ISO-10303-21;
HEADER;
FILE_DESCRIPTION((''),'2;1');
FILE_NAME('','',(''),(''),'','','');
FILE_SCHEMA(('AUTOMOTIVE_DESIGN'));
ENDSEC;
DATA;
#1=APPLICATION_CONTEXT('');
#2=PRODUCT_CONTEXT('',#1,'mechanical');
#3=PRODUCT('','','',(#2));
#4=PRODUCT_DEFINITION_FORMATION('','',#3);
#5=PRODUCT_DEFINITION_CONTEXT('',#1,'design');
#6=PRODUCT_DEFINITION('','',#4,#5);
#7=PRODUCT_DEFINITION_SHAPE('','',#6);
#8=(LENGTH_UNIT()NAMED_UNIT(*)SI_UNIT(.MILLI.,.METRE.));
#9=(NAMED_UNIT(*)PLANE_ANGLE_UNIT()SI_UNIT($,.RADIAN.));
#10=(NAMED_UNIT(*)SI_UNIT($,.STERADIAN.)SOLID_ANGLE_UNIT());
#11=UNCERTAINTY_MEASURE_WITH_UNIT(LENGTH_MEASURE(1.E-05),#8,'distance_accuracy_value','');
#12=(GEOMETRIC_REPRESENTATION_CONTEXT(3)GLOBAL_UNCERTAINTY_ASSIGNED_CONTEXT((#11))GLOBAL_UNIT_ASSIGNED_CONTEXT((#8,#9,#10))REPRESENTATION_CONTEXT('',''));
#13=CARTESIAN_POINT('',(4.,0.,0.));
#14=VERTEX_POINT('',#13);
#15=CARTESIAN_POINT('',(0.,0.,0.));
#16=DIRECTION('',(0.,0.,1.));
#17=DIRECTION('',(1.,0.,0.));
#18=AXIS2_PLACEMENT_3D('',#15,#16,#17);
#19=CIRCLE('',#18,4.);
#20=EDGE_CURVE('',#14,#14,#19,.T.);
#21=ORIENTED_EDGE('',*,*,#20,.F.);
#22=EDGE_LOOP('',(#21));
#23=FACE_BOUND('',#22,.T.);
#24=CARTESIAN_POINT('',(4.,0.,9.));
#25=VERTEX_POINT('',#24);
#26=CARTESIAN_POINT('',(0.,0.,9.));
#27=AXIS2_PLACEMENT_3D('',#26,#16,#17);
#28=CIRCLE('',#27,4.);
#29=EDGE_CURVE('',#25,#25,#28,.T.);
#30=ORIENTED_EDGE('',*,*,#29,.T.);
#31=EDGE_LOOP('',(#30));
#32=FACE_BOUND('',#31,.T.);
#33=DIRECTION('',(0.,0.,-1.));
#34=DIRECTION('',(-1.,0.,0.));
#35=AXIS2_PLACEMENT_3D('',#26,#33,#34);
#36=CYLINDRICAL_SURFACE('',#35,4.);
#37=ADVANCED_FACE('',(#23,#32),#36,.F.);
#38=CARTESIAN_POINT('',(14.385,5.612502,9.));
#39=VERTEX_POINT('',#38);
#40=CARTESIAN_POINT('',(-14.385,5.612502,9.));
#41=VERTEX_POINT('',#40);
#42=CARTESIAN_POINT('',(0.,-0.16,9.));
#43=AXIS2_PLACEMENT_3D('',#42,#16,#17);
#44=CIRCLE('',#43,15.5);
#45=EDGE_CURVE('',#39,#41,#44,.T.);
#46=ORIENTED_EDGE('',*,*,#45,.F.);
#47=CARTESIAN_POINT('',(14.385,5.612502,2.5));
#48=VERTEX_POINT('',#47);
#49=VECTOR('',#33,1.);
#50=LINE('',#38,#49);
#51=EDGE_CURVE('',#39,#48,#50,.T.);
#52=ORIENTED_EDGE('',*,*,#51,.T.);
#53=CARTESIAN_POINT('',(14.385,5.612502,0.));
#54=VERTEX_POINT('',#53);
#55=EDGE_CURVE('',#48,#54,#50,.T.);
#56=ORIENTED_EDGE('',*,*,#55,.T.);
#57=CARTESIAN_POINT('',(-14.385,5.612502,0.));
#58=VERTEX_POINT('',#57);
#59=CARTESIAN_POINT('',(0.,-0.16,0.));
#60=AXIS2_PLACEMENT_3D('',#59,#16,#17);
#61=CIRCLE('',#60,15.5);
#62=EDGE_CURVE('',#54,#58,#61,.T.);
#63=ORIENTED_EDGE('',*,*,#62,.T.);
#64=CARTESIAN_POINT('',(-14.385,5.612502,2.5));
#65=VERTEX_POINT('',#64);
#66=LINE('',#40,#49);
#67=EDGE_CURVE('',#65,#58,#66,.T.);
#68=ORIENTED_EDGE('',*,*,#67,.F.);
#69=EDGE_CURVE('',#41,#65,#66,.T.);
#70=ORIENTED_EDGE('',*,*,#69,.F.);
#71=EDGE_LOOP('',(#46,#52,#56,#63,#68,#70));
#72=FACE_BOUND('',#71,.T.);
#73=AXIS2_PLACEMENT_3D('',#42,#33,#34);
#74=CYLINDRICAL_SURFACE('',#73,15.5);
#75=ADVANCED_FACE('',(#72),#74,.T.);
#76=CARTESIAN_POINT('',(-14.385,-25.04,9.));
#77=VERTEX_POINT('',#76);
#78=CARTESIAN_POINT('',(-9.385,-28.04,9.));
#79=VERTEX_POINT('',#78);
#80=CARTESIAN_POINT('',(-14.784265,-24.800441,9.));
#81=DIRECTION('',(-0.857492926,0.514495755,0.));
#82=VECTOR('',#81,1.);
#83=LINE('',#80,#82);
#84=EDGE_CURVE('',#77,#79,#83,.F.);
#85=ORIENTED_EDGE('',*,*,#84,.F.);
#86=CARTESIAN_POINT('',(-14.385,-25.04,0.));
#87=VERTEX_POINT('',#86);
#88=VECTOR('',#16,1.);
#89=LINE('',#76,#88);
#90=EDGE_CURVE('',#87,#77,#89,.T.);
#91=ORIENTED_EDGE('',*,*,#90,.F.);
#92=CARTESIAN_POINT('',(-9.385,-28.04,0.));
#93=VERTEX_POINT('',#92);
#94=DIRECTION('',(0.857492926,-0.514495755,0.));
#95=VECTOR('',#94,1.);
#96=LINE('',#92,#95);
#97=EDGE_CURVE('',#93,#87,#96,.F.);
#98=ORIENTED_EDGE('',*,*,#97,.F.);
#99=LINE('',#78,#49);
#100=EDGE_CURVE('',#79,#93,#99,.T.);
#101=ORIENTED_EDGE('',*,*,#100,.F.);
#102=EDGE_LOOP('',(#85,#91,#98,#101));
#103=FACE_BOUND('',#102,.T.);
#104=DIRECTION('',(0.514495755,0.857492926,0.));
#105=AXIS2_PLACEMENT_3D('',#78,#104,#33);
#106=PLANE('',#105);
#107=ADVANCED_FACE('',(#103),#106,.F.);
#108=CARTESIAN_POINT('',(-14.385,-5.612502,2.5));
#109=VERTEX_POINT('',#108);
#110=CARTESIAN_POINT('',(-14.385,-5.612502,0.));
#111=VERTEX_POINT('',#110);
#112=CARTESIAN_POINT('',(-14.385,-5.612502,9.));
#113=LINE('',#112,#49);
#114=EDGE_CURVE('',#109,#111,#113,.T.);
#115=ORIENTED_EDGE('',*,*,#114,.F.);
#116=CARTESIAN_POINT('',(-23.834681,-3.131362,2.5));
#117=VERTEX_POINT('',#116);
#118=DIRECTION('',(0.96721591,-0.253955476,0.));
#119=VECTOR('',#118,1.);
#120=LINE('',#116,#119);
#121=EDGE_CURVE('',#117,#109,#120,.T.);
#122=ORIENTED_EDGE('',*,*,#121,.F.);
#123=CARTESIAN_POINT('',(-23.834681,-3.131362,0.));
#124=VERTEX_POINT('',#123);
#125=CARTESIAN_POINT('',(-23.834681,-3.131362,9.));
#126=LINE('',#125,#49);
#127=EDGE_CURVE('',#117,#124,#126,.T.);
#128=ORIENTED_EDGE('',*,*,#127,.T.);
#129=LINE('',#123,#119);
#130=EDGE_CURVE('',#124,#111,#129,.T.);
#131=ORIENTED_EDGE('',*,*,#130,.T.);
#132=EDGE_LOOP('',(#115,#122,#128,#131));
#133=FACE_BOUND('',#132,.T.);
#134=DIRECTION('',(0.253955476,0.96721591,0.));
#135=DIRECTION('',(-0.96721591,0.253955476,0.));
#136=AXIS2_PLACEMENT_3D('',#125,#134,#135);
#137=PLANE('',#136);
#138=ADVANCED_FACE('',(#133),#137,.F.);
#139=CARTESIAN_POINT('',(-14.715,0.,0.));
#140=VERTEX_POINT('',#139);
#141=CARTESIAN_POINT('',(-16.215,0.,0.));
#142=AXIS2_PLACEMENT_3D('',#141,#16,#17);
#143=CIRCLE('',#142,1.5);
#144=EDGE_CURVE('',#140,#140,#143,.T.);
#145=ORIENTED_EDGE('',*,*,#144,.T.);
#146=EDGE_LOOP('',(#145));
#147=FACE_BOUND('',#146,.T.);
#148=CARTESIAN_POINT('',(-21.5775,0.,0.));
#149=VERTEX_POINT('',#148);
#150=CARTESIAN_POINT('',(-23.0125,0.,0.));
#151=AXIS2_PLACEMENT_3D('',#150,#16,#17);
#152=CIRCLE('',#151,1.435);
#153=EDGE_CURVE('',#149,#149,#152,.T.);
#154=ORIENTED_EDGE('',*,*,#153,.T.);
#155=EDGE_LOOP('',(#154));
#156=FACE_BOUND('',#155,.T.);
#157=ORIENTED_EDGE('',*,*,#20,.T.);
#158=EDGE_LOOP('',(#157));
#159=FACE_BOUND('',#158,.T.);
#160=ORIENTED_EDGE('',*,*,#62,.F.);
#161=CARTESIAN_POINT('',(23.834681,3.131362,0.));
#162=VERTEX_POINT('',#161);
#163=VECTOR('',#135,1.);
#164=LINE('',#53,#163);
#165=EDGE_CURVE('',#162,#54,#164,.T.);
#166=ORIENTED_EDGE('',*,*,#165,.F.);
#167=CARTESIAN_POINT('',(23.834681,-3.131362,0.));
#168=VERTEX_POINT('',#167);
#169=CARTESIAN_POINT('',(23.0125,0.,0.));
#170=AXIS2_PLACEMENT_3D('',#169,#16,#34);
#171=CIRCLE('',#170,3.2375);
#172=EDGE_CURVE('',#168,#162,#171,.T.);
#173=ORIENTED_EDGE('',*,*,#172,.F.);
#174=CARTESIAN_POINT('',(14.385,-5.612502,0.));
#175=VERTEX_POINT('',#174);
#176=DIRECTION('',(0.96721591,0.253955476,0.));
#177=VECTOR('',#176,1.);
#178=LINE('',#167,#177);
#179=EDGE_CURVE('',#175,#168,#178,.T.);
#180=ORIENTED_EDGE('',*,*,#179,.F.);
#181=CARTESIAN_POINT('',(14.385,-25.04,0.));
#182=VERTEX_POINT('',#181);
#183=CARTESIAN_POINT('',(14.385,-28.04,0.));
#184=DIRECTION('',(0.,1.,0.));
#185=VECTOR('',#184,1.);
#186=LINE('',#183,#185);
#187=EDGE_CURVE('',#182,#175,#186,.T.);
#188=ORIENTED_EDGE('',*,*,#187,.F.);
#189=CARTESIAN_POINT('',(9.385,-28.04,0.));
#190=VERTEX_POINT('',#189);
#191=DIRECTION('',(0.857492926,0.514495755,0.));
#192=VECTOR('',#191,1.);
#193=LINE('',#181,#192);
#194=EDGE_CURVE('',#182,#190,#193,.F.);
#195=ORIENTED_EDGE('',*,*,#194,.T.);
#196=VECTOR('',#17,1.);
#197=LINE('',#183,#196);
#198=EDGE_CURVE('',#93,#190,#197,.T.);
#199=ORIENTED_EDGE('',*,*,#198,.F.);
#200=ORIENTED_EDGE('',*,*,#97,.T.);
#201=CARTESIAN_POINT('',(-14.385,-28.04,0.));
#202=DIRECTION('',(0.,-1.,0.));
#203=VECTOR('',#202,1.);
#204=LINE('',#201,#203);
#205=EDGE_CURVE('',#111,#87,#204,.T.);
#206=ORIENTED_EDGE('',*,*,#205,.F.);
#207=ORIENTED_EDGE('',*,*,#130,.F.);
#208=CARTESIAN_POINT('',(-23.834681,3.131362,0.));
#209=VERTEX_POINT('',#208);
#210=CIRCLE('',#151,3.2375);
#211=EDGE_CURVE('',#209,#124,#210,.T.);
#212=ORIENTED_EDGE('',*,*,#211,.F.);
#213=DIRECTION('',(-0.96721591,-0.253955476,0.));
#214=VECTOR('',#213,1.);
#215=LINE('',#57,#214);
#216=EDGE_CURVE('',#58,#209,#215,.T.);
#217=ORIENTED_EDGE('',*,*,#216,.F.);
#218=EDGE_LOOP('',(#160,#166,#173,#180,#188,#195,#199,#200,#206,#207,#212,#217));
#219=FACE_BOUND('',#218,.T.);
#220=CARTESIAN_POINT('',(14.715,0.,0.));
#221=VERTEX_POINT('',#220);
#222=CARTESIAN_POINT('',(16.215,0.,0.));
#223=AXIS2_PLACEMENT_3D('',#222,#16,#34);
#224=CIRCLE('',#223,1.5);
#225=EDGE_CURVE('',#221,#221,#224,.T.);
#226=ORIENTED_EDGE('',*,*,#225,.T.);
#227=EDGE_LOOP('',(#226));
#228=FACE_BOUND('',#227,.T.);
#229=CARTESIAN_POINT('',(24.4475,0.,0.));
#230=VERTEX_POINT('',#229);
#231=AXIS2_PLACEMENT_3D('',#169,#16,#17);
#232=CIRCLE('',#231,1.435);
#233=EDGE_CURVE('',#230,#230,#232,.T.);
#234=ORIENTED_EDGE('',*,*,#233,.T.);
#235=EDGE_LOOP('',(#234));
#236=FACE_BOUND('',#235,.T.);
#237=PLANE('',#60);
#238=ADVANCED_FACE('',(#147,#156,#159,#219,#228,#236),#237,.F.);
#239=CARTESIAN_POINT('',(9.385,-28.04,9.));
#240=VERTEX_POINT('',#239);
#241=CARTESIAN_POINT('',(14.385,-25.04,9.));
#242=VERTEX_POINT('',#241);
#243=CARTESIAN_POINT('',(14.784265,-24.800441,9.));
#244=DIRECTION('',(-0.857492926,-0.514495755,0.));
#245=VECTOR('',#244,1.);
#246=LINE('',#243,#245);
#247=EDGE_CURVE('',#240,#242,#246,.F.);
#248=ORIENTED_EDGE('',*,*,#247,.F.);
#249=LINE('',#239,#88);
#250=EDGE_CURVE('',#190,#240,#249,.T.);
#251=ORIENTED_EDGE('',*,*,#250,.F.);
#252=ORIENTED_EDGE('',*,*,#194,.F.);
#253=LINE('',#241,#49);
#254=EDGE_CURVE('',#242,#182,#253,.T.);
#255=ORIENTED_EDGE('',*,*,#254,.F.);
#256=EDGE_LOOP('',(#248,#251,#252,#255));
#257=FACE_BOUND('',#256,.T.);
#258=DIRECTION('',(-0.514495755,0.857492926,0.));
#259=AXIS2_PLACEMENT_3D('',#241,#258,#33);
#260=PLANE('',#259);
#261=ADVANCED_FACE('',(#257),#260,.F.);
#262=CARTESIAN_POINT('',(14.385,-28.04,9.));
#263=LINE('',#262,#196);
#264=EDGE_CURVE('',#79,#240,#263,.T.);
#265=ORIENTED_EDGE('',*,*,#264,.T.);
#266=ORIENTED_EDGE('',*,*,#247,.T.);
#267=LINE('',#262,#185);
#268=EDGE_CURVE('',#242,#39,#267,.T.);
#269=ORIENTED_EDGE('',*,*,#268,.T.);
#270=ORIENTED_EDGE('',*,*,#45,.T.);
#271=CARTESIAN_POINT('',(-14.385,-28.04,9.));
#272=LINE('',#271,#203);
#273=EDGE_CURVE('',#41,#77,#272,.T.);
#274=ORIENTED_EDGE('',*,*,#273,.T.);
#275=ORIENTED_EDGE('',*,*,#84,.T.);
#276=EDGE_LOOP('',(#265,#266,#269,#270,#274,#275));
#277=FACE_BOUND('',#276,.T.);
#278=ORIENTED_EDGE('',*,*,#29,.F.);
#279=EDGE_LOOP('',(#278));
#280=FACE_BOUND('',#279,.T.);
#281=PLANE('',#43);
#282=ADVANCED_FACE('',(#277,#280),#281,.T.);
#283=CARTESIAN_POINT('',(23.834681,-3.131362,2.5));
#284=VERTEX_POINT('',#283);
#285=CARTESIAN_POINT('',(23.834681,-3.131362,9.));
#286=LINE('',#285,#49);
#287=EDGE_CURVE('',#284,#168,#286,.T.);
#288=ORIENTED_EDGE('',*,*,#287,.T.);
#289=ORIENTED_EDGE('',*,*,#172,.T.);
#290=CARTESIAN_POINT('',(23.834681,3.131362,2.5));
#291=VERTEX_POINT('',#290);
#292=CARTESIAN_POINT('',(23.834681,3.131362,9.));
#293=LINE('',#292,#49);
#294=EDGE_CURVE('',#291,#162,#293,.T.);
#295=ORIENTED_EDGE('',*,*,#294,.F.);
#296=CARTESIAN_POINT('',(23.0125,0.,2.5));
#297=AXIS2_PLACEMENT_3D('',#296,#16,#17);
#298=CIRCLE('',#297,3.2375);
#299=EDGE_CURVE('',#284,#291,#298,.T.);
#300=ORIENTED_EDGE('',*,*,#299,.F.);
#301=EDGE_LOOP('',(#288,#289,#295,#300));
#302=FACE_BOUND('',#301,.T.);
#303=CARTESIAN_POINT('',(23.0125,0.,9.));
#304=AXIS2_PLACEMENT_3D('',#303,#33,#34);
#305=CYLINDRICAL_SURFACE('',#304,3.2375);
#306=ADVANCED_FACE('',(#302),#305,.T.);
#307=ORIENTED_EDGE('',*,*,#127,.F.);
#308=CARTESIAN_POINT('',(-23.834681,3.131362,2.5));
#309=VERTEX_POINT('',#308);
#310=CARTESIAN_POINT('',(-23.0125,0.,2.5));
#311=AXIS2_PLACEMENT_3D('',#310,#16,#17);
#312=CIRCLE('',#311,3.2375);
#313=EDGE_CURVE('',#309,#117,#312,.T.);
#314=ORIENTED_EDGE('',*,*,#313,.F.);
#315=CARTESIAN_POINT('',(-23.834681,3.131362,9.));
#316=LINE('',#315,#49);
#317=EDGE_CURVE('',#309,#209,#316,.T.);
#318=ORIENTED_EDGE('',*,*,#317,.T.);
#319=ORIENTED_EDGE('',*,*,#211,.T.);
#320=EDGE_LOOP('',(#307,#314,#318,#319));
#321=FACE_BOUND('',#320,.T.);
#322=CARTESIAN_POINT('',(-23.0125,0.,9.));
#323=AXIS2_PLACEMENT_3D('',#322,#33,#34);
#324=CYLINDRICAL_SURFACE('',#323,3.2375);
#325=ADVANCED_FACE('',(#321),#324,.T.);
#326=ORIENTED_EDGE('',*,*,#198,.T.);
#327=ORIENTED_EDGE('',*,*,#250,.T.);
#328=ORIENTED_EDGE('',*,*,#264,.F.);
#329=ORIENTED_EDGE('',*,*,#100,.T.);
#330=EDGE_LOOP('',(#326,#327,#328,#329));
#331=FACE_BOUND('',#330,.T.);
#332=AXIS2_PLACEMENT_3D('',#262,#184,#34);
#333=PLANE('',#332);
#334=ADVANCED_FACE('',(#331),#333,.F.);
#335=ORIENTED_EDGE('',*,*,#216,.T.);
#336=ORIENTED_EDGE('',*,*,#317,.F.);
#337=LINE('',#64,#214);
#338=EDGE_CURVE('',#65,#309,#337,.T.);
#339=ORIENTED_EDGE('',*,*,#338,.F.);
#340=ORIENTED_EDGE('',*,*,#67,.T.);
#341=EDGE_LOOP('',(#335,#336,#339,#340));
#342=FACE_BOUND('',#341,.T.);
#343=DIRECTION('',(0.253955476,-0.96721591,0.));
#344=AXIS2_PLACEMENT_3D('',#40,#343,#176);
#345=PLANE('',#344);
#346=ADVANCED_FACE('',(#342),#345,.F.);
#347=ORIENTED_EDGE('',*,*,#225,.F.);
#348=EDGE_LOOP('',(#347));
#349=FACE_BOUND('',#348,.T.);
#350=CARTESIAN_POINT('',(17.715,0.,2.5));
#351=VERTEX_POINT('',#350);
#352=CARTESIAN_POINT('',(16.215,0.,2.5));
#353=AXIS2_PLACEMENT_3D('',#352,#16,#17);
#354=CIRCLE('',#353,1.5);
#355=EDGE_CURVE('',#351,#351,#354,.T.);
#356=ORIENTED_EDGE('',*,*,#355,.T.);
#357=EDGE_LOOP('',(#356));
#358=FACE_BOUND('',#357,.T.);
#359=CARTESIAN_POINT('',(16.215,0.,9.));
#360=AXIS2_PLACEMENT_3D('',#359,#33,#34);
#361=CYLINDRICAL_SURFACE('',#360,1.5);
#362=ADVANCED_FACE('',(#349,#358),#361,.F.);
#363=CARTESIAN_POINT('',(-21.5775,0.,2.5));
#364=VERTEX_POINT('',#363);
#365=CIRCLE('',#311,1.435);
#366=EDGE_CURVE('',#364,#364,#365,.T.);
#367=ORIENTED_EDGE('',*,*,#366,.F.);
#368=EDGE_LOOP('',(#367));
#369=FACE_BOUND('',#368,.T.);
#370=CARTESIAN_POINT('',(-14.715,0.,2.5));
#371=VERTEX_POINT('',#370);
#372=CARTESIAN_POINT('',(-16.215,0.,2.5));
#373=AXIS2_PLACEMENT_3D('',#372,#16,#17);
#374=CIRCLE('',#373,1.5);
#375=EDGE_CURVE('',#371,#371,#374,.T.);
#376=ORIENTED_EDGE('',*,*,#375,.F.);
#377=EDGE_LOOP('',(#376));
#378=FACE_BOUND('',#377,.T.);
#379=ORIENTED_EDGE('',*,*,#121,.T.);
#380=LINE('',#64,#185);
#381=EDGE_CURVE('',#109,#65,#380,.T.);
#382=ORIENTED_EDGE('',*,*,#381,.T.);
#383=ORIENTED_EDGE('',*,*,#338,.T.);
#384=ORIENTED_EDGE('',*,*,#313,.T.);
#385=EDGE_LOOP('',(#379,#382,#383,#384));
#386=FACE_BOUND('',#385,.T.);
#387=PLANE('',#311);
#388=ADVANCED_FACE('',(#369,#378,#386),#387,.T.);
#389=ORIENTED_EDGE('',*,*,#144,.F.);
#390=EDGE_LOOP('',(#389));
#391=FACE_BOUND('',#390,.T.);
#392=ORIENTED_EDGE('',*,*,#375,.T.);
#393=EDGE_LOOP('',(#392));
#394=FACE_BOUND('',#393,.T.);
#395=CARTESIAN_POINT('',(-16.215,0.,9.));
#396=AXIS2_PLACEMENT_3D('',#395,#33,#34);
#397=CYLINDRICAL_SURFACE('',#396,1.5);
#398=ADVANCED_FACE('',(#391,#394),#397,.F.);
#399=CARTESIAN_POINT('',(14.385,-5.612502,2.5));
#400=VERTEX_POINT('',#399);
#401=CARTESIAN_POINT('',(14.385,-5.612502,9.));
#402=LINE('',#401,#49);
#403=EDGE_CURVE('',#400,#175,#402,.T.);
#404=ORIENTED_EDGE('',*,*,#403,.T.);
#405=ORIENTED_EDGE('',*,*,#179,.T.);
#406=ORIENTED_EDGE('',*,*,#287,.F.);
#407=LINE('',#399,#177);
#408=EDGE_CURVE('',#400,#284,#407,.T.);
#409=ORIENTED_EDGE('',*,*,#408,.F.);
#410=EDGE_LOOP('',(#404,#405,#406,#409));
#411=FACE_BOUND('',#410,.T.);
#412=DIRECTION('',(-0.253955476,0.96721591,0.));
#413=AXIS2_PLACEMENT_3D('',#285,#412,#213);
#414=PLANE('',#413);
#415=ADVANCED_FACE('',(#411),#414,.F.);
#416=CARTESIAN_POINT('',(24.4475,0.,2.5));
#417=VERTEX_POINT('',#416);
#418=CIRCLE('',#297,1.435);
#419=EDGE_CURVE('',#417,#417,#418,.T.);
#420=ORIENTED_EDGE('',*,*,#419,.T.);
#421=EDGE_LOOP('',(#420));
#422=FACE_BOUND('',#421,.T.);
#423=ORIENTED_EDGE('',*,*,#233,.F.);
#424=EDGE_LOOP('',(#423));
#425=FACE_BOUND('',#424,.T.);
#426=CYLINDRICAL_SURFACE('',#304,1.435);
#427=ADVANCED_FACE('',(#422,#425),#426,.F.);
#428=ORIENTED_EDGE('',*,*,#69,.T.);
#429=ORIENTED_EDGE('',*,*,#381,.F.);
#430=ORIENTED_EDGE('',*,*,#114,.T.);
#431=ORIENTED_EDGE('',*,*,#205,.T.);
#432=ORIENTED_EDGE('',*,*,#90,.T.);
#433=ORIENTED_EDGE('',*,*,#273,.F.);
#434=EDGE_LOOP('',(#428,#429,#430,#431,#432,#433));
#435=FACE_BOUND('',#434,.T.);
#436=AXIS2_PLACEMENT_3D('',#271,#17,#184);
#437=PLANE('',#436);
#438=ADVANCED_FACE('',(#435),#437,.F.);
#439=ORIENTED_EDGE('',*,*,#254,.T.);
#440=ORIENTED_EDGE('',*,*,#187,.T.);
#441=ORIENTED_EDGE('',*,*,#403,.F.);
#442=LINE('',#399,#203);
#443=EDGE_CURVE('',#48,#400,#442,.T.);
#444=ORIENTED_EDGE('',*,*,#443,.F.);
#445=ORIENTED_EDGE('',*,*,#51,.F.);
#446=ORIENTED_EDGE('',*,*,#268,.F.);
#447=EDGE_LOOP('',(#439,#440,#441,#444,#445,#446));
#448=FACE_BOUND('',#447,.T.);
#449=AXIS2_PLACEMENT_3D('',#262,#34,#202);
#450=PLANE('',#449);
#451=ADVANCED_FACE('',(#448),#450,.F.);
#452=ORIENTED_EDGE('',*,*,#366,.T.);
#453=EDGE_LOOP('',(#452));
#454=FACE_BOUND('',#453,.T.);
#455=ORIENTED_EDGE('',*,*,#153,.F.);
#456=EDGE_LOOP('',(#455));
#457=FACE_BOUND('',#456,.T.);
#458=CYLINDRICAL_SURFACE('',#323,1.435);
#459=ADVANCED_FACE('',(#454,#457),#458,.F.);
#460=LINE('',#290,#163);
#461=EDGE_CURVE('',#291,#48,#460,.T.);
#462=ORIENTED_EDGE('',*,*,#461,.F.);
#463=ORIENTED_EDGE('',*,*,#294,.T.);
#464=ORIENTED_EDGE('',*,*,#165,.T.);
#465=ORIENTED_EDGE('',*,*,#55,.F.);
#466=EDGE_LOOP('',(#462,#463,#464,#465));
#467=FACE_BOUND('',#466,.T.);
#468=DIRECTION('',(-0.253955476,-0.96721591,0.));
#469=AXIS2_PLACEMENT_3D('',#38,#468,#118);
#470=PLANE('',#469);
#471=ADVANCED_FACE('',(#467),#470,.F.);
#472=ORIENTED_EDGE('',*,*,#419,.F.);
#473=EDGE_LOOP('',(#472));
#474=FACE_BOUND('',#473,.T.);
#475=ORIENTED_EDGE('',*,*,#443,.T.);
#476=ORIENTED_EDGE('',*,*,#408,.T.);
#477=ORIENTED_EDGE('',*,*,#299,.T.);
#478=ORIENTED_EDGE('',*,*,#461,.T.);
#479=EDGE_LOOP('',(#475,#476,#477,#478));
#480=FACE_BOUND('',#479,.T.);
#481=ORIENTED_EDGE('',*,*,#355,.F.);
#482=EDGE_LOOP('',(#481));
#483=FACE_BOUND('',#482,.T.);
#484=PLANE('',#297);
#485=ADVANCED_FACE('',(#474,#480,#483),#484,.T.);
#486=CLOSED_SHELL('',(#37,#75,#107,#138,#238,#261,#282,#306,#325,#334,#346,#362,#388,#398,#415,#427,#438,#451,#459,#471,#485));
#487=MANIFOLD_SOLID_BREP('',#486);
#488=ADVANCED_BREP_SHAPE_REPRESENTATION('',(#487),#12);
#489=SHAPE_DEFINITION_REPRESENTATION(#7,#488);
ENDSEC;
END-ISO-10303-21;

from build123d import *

# Parameters (mm, degrees)
SKETCH_1_R          = 4
SKETCH_1_R_2        = 1.435
SKETCH_1_R_3        = 1.5
EXTRUDE_1_DEPTH     = 9
CUT_EXTRUDE_START   = -6.5
CUT_EXTRUDE_1_DEPTH = 6.5
CHAMFER_1_SIZE      = 5
CHAMFER_1_SIZE2     = 3
CHAMFER_2_SIZE      = 3
CHAMFER_2_SIZE2     = 5


with BuildPart() as part:
    # ｽｹｯﾁ1 → ﾎﾞｽ - 押し出し1 (new body)
    with BuildSketch(Plane.XY):
        with BuildLine():
            Line((14.385, -28.04), (-14.385, -28.04))
            Line((-14.385, -28.04), (-14.385, -5.612501624))
            Line((-14.385, -5.612501624), (-23.834680852, -3.131361508))
            ThreePointArc((-23.834680852, -3.131361508), (-26.25, 0), (-23.834680852, 3.131361508))
            Line((-23.834680852, 3.131361508), (-14.385, 5.612501624))
            ThreePointArc((-14.385, 5.612501624), (0, 15.34), (14.385, 5.612501624))
            Line((14.385, 5.612501624), (23.834680852, 3.131361508))
            ThreePointArc((23.834680852, 3.131361508), (26.25, 0), (23.834680852, -3.131361508))
            Line((23.834680852, -3.131361508), (14.385, -5.612501624))
            Line((14.385, -5.612501624), (14.385, -28.04))
        make_face()
        Circle(SKETCH_1_R, mode=Mode.SUBTRACT)
        with Locations((-23.0125, 0)):
            Circle(SKETCH_1_R_2, mode=Mode.SUBTRACT)
        with Locations((23.0125, 0)):
            Circle(SKETCH_1_R_2, mode=Mode.SUBTRACT)
        with Locations((-16.215, 0)):
            Circle(SKETCH_1_R_3, mode=Mode.SUBTRACT)
        with Locations(Location((16.215, 0, 0), (0, 0, 180))):
            Circle(SKETCH_1_R_3, mode=Mode.SUBTRACT)
    extrude(amount=EXTRUDE_1_DEPTH)

    # ｽｹｯﾁ2 → ｶｯﾄ - 押し出し1 (cut)
    with BuildSketch(Plane.XY.offset(9).offset(CUT_EXTRUDE_START)):
        with BuildLine():
            Line((-14.385, 5.612501624), (-23.834680852, 3.131361508))
            ThreePointArc((-23.834680852, 3.131361508), (-26.25, 0), (-23.834680852, -3.131361508))
            Line((-23.834680852, -3.131361508), (-14.385, -5.612501624))
            Line((-14.385, -5.612501624), (-14.385, 5.612501624))
        make_face()
        with BuildLine():
            Line((14.385, -5.612501624), (14.385, 5.612501624))
            Line((14.385, 5.612501624), (23.834680852, 3.131361508))
            ThreePointArc((23.834680852, 3.131361508), (26.25, 0), (23.834680852, -3.131361508))
            Line((23.834680852, -3.131361508), (14.385, -5.612501624))
        make_face()
    extrude(amount=CUT_EXTRUDE_1_DEPTH, mode=Mode.SUBTRACT)

    # 面取り1
    chamfer_1_edges = [part.edges().sort_by_distance(p)[0] for p in [
        (14.385, -28.04, 4.5),
    ]]
    chamfer_1_side = [part.faces().sort_by_distance(p)[0] for p in [
        (0, -28.04, 4.5),
    ]]
    chamfer(chamfer_1_edges, length=CHAMFER_1_SIZE, length2=CHAMFER_1_SIZE2, reference=chamfer_1_side[0])

    # 面取り2
    chamfer_2_edges = [part.edges().sort_by_distance(p)[0] for p in [
        (-14.385, -28.04, 4.5),
    ]]
    chamfer_2_side = [part.faces().sort_by_distance(p)[0] for p in [
        (-14.385, -12.358852788, 4.831877112),
    ]]
    chamfer(chamfer_2_edges, length=CHAMFER_2_SIZE, length2=CHAMFER_2_SIZE2, reference=chamfer_2_side[0])


solid = part.part
